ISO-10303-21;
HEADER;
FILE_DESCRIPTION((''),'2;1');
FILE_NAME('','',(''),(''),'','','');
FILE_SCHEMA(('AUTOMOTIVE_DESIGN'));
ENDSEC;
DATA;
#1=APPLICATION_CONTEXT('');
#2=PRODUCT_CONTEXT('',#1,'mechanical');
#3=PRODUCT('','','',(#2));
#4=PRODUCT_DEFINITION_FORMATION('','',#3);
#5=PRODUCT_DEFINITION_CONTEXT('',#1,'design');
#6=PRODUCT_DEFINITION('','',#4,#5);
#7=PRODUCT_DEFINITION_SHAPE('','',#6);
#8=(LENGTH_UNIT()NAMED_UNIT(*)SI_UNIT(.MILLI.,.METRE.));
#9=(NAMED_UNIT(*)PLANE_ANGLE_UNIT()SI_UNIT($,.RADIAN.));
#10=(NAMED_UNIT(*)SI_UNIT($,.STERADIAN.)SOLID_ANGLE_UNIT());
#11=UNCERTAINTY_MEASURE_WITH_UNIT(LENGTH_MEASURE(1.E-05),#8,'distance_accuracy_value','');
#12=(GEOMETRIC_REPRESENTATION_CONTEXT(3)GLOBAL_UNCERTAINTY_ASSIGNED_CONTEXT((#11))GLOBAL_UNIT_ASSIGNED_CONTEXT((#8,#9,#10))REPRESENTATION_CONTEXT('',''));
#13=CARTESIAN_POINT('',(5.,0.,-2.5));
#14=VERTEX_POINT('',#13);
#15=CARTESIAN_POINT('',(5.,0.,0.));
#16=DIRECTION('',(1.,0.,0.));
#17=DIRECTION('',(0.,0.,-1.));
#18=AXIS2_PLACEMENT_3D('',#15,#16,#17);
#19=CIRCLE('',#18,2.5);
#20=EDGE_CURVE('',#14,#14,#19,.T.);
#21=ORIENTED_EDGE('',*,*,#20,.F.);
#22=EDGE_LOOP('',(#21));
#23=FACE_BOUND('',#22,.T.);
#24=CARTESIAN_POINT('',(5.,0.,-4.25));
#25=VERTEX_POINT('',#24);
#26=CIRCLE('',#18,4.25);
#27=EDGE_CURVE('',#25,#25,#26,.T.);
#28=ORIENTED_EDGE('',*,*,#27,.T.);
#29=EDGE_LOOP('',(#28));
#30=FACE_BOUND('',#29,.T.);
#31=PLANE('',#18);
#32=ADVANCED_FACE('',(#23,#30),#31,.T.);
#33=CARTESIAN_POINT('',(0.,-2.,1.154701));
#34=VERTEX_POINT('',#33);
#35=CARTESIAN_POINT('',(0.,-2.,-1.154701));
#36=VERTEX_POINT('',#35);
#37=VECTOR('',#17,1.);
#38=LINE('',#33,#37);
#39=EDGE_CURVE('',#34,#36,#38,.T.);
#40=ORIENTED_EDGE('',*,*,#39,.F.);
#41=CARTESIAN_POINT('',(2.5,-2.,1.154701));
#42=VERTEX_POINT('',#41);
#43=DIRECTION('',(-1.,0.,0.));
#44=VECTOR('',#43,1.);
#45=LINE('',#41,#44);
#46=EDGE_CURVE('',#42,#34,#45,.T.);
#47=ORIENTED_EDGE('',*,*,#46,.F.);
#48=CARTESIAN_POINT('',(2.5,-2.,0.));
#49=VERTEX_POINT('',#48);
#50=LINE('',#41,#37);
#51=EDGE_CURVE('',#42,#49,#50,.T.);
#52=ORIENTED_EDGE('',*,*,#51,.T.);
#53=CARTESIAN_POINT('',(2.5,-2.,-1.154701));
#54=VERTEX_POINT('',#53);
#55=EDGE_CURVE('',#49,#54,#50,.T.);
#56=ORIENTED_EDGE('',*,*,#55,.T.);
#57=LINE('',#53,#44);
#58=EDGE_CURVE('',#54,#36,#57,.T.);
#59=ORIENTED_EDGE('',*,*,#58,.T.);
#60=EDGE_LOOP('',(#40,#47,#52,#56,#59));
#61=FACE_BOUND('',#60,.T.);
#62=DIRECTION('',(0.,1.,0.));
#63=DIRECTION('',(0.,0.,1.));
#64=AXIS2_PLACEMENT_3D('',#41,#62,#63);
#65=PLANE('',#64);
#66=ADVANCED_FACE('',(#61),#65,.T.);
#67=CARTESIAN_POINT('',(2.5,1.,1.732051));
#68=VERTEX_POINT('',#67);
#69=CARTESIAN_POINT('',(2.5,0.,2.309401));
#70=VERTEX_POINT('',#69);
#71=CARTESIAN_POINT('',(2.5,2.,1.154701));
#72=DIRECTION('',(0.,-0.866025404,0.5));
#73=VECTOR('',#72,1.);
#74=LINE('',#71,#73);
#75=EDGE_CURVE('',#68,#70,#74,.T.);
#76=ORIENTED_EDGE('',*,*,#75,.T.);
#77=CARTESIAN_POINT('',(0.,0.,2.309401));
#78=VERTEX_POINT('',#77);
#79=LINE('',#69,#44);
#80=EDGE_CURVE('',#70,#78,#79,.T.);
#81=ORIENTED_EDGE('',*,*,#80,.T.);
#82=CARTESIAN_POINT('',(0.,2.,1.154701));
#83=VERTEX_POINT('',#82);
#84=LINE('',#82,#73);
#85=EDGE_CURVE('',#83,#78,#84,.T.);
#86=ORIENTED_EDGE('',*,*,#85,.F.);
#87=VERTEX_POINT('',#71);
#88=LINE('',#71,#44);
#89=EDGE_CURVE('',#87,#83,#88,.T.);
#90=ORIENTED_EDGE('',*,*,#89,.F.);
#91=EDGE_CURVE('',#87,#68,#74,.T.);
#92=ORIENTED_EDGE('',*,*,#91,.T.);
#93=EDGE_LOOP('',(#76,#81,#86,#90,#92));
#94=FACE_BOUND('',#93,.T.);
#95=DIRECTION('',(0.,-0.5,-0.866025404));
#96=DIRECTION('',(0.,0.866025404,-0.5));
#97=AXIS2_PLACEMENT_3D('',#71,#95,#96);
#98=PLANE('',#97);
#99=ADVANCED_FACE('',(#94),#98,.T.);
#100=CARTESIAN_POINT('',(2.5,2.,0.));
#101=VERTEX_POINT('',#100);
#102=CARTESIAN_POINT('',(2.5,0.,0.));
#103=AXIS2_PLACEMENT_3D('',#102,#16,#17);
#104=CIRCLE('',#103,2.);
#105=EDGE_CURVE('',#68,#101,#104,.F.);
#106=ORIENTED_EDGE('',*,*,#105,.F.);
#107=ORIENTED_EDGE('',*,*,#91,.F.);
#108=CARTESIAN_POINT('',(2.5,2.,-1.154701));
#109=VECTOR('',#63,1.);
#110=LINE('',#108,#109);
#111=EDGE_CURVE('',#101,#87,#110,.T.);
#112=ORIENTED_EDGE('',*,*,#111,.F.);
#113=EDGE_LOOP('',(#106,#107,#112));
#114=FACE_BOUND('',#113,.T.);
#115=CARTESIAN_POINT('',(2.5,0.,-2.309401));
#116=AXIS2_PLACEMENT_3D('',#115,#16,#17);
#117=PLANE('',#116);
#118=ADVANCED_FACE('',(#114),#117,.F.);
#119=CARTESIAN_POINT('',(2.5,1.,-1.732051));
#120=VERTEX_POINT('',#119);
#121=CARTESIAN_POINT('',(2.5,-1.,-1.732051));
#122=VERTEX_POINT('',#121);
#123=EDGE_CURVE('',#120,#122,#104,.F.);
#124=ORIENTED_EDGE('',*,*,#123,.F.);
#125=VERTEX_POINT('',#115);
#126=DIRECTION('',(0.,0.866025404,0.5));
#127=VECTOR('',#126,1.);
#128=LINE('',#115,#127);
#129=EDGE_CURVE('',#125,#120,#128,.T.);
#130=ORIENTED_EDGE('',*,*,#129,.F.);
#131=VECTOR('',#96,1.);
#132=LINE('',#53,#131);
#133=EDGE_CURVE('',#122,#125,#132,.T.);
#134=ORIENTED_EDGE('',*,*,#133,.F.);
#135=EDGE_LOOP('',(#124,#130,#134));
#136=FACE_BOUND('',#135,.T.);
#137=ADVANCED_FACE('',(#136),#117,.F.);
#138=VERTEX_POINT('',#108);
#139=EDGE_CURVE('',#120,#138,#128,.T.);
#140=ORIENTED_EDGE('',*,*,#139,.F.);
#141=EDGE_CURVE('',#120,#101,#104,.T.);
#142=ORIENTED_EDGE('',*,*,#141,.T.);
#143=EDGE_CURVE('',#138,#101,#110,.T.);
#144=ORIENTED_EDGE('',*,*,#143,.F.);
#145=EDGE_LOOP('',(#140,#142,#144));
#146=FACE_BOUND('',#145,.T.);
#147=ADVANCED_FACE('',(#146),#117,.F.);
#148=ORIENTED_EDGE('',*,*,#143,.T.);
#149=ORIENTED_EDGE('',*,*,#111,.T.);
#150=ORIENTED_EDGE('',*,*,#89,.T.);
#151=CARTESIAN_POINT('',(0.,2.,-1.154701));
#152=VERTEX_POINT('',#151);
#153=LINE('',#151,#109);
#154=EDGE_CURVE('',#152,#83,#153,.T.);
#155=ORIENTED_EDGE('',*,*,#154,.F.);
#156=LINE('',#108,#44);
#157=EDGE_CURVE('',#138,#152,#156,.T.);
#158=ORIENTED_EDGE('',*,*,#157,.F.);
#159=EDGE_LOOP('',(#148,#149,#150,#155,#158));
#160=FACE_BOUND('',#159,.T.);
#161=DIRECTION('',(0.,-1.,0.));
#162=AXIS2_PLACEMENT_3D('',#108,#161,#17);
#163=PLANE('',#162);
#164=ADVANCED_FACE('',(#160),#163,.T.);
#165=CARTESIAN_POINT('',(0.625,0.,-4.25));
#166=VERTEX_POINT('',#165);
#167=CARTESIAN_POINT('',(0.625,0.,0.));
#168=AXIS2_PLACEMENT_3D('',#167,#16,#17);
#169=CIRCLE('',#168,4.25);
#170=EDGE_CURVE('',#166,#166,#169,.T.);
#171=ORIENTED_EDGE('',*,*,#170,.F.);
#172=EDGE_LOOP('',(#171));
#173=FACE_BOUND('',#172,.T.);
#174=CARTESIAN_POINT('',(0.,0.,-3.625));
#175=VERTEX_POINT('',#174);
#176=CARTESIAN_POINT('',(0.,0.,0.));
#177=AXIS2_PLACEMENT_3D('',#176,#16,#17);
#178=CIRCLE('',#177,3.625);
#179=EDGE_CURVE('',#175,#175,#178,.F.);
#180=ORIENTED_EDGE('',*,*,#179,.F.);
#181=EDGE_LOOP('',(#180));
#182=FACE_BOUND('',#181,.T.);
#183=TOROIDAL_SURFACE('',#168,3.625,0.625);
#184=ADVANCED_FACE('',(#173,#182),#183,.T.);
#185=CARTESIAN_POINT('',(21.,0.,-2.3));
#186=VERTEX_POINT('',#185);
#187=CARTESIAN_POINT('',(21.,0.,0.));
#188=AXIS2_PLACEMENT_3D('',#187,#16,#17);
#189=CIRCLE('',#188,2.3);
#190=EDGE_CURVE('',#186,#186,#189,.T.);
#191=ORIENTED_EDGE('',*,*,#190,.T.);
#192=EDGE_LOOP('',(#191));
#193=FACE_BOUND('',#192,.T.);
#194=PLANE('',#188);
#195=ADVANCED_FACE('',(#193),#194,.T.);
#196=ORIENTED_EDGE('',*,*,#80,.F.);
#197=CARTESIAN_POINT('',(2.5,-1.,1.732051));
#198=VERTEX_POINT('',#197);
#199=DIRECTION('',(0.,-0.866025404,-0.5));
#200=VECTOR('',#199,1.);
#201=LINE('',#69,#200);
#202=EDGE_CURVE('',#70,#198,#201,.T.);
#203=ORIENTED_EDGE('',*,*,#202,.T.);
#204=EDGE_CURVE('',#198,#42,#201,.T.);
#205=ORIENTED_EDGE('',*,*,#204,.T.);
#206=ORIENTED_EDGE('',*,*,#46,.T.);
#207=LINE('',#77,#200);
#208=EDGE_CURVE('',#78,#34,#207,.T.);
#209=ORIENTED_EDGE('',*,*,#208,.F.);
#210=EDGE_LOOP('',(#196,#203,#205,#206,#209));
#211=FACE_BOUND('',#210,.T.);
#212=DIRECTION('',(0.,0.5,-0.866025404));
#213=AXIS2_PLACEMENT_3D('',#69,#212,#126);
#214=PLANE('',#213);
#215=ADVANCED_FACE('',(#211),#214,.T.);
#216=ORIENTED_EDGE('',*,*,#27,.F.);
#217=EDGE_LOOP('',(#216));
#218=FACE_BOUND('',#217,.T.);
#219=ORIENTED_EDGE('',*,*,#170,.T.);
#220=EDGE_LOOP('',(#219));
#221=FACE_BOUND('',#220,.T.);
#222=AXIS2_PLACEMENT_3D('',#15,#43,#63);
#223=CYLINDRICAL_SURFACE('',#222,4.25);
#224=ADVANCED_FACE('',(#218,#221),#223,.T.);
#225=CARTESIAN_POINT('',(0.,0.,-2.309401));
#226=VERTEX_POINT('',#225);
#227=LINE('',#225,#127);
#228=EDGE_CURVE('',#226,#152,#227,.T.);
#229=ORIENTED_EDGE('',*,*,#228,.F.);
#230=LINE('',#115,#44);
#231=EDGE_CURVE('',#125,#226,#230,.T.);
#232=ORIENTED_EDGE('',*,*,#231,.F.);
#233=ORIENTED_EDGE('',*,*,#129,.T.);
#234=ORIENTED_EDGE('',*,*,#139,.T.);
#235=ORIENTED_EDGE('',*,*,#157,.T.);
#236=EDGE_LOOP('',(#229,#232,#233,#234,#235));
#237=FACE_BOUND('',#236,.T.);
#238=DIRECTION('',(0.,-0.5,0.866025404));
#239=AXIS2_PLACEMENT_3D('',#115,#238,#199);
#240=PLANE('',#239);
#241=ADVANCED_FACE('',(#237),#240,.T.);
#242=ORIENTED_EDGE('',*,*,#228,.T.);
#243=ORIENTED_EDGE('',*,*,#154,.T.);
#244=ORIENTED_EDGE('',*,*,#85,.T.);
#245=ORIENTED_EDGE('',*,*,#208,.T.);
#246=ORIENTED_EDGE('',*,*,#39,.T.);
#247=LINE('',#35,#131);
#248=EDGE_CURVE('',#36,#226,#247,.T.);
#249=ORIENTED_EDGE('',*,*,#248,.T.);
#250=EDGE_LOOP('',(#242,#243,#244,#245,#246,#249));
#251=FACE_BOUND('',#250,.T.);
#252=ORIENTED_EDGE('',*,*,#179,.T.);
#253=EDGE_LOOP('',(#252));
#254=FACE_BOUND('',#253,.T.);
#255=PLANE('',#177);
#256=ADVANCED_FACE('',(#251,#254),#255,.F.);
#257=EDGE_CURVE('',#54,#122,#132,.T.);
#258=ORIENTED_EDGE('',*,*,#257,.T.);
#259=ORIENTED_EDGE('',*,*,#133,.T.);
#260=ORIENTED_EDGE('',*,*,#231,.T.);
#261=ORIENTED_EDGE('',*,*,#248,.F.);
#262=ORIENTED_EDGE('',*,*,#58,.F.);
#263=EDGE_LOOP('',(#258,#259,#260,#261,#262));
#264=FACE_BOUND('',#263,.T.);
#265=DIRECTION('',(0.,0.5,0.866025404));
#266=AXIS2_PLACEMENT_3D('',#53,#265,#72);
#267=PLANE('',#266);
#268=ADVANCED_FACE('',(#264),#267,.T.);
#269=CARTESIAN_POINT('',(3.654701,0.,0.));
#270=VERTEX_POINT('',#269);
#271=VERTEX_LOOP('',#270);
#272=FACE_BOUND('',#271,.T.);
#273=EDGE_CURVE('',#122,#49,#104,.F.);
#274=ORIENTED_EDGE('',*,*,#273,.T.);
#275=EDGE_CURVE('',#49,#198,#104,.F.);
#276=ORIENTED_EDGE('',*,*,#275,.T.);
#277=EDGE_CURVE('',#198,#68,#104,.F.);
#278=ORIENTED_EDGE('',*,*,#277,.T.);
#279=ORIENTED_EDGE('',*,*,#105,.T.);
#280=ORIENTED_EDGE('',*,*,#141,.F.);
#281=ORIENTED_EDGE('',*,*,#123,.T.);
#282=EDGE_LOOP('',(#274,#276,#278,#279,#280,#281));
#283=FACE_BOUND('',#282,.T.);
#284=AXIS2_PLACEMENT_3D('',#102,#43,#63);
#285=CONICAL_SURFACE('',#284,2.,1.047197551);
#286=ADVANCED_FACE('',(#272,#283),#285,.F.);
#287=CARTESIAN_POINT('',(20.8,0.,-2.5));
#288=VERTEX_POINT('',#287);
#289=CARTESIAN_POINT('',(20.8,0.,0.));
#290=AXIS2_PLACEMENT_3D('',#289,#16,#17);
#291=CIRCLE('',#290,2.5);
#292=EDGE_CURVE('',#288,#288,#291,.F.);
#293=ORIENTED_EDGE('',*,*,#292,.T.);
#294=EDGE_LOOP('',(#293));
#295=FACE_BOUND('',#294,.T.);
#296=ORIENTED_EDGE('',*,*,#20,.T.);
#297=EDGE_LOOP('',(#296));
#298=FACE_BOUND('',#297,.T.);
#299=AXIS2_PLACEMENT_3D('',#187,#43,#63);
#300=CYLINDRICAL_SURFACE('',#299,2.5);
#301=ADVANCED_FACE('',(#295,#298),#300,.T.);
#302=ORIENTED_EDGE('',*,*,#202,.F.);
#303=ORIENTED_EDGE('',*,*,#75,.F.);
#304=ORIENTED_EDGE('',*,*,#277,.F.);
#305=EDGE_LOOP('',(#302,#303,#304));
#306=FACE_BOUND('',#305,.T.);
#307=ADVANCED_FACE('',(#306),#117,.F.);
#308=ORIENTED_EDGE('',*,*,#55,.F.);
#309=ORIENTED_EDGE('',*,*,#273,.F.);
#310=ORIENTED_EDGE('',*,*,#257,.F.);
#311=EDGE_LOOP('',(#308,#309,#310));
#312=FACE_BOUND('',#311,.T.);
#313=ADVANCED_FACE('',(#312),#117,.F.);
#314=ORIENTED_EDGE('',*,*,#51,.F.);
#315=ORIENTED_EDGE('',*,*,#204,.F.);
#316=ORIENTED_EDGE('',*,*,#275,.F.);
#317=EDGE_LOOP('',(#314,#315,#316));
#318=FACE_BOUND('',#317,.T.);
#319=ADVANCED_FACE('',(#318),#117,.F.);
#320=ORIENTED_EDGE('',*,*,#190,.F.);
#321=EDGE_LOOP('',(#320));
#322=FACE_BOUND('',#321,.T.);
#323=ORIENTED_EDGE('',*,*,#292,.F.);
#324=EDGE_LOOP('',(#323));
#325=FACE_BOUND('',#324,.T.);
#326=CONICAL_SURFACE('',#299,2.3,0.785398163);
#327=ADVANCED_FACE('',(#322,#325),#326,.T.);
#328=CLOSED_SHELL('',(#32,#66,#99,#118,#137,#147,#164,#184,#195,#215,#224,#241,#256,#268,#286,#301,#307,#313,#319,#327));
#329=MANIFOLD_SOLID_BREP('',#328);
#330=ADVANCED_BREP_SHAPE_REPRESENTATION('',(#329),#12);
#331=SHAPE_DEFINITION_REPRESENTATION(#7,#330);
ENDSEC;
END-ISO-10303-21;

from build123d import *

# Parameters (mm, degrees)
SKETCH1_R           = 4.25
BASEHEAD_DEPTH      = 5
SKETCH2_R           = 2.5
BASEBODY_DEPTH      = 16
HEXAGONSOCKET_DEPTH = 2.5
TOPFILLET_R         = 0.625
CHAMFER1_SIZE       = 0.2


with BuildPart() as part:
    # Sketch1 → BaseHead (new body)
    with BuildSketch(Plane(origin=(0, 0, 0), x_dir=(0, 0, -1), z_dir=(1, 0, 0))):
        Circle(SKETCH1_R)
    extrude(amount=BASEHEAD_DEPTH)

    # Sketch2 → BaseBody (add)
    with BuildSketch(Plane(origin=(5, 0, 0), x_dir=(0, 0, -1), z_dir=(1, 0, 0))):
        Circle(SKETCH2_R)
    extrude(amount=BASEBODY_DEPTH)

    # Sketch3 → HexagonSocket (cut)
    with BuildSketch(Plane(origin=(0, 0, 0), x_dir=(0, 0, -1), z_dir=(1, 0, 0))):
        Polygon((2.309401077, 0), (1.154700538, 2), (-1.154700538, 2), (-2.309401077, 0), (-1.154700538, -2), (1.154700538, -2), align=None)
    extrude(amount=HEXAGONSOCKET_DEPTH, mode=Mode.SUBTRACT)

    # Sketch4 → Cut-Revolve1 (revolve, cut)
    with BuildSketch(Plane(origin=(-4.19613823, 0.75, 0), x_dir=(-1, 0, 0), z_dir=(0, 0, 1))):
        Polygon((-6.69613823, 2.75), (-7.850838768, 0.75), (-6.69613823, 0.75), align=None)
    revolve(axis=Axis((0.838992387, 0, 0), (-1, 0, 0)), mode=Mode.SUBTRACT)

    # TopFillet
    topfillet_edges = [part.edges().sort_by_distance(p)[0] for p in [
        (0, 0, 4.25),
    ]]
    fillet(topfillet_edges, radius=TOPFILLET_R)

    # Chamfer1
    chamfer1_edges = [part.edges().sort_by_distance(p)[0] for p in [
        (21, 0, 2.5),
    ]]
    chamfer(chamfer1_edges, length=CHAMFER1_SIZE)


solid = part.part
